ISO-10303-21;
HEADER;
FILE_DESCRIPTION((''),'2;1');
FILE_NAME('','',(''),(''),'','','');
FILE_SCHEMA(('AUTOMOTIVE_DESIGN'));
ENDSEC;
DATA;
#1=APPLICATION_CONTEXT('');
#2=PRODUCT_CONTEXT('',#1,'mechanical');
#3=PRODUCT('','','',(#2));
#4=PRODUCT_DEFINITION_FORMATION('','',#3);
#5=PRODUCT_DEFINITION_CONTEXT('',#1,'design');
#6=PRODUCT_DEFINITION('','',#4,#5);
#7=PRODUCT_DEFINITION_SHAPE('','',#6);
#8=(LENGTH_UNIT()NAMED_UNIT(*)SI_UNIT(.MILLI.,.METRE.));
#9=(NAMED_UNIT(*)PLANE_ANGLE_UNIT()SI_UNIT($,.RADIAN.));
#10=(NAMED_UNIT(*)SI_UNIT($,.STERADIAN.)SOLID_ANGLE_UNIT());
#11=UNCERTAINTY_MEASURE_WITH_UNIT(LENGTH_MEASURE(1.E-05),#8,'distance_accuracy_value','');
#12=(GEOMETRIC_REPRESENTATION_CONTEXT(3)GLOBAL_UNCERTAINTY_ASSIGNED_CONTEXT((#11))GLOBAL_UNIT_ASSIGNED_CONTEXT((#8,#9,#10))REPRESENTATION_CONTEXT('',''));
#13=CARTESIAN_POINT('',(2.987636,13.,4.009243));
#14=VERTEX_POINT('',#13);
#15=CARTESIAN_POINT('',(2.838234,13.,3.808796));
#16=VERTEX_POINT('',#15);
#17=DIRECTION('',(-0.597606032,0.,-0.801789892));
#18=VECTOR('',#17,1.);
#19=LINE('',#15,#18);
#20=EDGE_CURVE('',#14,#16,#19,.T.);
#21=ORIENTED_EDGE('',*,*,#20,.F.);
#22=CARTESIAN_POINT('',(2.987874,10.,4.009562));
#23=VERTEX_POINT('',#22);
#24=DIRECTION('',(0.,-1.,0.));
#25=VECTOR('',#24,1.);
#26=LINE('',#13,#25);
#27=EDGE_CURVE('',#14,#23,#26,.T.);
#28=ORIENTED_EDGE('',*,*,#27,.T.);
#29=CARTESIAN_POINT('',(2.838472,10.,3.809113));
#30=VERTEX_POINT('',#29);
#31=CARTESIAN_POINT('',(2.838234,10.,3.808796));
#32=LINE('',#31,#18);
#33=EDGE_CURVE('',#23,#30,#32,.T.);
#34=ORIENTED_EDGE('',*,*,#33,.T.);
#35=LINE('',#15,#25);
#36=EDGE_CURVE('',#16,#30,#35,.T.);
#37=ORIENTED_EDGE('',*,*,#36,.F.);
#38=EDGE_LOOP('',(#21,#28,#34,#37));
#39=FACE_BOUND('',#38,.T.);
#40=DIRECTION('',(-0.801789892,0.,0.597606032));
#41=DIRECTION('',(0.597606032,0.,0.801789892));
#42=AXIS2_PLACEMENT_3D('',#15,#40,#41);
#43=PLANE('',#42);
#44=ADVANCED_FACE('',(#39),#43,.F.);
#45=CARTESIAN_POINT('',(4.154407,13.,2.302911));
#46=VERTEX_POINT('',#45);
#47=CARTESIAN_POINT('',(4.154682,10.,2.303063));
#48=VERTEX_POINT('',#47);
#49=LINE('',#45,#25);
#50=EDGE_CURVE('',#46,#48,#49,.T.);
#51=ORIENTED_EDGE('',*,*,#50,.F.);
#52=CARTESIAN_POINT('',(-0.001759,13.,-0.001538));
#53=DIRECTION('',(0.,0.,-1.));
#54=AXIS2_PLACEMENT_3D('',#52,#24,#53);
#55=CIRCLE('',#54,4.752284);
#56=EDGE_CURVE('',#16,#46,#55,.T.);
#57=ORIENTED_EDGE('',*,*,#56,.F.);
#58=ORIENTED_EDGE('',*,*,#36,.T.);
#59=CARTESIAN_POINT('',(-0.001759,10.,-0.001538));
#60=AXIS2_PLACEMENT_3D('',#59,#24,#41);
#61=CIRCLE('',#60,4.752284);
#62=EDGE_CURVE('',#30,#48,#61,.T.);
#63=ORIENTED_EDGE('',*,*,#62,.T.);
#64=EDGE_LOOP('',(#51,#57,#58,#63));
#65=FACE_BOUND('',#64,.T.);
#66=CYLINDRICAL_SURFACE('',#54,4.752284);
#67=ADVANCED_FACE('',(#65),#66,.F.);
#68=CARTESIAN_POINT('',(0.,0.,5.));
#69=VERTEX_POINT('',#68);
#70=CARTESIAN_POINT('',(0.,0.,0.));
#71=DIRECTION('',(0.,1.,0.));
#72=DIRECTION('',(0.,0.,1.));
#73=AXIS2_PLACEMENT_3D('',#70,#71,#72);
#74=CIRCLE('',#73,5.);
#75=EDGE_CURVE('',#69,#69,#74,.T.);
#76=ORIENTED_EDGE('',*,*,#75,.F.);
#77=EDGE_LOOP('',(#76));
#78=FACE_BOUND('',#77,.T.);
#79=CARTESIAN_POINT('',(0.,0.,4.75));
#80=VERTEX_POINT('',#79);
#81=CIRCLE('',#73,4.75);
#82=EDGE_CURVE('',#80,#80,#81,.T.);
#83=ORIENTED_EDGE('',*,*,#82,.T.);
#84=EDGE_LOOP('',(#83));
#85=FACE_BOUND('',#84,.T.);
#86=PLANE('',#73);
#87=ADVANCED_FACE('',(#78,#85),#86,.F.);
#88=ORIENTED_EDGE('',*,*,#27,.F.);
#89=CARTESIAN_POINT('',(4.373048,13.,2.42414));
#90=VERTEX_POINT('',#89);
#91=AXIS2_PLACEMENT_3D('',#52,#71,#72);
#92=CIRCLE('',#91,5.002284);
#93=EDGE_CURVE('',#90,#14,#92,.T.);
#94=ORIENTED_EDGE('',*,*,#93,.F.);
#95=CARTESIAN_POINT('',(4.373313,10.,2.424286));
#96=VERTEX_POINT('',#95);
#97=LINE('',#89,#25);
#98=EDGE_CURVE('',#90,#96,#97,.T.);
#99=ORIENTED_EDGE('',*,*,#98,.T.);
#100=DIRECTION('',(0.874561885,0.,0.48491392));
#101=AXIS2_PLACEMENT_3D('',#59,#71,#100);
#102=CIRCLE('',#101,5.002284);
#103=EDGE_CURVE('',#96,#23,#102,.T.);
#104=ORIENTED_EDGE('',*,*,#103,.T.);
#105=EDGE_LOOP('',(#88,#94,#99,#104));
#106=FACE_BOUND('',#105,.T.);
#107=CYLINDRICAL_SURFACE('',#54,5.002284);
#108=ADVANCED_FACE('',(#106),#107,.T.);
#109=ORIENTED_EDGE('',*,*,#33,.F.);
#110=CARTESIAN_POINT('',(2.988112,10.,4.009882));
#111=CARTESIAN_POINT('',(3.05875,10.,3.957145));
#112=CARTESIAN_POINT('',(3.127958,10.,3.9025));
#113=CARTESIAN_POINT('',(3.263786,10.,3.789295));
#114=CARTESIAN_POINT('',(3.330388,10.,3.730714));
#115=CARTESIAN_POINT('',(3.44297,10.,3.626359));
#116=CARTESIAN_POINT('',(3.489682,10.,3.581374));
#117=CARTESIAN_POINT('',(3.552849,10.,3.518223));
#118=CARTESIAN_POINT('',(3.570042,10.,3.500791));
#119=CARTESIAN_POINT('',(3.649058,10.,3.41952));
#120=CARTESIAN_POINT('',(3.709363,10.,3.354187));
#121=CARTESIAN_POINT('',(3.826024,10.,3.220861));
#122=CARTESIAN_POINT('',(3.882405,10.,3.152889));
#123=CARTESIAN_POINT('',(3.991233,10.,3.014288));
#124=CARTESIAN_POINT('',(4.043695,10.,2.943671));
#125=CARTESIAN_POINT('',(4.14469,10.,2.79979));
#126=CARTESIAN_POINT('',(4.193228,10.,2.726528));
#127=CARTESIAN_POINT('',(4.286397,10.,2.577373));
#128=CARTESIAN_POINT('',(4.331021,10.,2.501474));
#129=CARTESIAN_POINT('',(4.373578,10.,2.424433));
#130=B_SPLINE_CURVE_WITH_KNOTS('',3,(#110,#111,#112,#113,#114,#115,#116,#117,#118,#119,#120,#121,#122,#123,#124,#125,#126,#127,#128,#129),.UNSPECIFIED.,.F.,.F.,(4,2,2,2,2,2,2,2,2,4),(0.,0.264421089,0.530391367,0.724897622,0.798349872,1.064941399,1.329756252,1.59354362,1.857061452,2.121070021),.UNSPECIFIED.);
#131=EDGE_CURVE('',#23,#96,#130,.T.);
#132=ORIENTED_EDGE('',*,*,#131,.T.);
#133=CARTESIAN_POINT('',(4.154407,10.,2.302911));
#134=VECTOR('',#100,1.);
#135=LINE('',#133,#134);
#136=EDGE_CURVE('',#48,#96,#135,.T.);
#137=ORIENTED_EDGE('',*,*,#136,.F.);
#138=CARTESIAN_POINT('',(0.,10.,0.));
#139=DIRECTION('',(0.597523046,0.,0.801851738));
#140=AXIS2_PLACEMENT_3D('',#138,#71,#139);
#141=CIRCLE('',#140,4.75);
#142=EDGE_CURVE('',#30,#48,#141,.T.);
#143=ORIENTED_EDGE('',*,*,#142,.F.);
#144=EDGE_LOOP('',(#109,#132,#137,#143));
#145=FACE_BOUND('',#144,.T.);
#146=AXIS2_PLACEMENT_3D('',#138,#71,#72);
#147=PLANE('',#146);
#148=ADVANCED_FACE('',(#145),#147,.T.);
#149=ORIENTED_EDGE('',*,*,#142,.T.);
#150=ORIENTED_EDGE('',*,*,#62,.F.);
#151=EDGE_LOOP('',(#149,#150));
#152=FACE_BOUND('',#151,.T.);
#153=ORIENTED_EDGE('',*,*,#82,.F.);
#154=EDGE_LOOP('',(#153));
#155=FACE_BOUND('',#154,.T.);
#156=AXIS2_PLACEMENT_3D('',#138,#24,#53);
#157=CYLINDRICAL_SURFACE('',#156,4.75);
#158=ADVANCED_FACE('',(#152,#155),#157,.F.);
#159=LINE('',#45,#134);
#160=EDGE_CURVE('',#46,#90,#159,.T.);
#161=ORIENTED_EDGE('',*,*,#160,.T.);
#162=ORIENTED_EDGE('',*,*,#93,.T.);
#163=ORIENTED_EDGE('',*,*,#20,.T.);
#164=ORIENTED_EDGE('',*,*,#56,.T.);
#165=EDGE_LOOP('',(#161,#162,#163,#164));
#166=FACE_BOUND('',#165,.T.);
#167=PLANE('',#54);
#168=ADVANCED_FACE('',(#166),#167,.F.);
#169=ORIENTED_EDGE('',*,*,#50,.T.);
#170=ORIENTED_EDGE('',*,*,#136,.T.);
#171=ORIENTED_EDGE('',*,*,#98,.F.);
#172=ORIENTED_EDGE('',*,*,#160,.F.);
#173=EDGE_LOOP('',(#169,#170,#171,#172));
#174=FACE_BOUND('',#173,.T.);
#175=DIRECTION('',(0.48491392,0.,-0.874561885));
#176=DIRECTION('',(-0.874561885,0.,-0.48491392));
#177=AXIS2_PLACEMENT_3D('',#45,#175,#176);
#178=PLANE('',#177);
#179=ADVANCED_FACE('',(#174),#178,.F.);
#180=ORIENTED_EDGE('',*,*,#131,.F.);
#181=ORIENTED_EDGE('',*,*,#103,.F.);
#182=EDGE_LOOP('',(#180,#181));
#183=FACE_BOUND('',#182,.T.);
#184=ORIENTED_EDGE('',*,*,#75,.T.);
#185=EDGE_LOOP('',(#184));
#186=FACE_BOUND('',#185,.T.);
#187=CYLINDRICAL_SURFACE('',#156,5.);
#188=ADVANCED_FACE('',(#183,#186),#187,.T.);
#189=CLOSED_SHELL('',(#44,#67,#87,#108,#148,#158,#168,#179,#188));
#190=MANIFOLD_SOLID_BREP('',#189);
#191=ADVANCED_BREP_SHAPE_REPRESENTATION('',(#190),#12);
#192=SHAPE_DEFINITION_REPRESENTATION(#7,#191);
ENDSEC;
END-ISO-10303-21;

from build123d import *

# Parameters (mm, degrees)
SKETCH_1_R      = 5
SKETCH_1_R_2    = 4.75
EXTRUDE_3_DEPTH = 10
EXTRUDE_5_DEPTH = 3


with BuildPart() as part:
    # 草圖1 → 填料-伸長3 (new body)
    with BuildSketch(Plane(origin=(0, 0, 0), x_dir=(1, 0, 0), z_dir=(0, 1, 0))):
        with Locations(Location((0, 0, 0), (0, 0, 270))):
            Circle(SKETCH_1_R)
        with Locations(Location((0, 0, 0), (0, 0, 270))):
            Circle(SKETCH_1_R_2, mode=Mode.SUBTRACT)
    extrude(amount=EXTRUDE_3_DEPTH)

    # 草圖2 → 填料-伸長5 (add)
    with BuildSketch(Plane(origin=(0, 10, 0), x_dir=(1, 0, 0), z_dir=(0, 1, 0))):
        with BuildLine():
            Line((2.838234404, -3.808795803), (2.987635913, -4.009243277))
            ThreePointArc((2.987635913, -4.009243277), (-3.76819109, 3.293473376), (4.37304783, -2.424139574))
            Line((4.37304783, -2.424139574), (4.154407358, -2.302911094))
            ThreePointArc((4.154407358, -2.302911094), (-3.579955501, 3.128951756), (2.838234404, -3.808795803))
        make_face()
    extrude(amount=EXTRUDE_5_DEPTH)


solid = part.part
